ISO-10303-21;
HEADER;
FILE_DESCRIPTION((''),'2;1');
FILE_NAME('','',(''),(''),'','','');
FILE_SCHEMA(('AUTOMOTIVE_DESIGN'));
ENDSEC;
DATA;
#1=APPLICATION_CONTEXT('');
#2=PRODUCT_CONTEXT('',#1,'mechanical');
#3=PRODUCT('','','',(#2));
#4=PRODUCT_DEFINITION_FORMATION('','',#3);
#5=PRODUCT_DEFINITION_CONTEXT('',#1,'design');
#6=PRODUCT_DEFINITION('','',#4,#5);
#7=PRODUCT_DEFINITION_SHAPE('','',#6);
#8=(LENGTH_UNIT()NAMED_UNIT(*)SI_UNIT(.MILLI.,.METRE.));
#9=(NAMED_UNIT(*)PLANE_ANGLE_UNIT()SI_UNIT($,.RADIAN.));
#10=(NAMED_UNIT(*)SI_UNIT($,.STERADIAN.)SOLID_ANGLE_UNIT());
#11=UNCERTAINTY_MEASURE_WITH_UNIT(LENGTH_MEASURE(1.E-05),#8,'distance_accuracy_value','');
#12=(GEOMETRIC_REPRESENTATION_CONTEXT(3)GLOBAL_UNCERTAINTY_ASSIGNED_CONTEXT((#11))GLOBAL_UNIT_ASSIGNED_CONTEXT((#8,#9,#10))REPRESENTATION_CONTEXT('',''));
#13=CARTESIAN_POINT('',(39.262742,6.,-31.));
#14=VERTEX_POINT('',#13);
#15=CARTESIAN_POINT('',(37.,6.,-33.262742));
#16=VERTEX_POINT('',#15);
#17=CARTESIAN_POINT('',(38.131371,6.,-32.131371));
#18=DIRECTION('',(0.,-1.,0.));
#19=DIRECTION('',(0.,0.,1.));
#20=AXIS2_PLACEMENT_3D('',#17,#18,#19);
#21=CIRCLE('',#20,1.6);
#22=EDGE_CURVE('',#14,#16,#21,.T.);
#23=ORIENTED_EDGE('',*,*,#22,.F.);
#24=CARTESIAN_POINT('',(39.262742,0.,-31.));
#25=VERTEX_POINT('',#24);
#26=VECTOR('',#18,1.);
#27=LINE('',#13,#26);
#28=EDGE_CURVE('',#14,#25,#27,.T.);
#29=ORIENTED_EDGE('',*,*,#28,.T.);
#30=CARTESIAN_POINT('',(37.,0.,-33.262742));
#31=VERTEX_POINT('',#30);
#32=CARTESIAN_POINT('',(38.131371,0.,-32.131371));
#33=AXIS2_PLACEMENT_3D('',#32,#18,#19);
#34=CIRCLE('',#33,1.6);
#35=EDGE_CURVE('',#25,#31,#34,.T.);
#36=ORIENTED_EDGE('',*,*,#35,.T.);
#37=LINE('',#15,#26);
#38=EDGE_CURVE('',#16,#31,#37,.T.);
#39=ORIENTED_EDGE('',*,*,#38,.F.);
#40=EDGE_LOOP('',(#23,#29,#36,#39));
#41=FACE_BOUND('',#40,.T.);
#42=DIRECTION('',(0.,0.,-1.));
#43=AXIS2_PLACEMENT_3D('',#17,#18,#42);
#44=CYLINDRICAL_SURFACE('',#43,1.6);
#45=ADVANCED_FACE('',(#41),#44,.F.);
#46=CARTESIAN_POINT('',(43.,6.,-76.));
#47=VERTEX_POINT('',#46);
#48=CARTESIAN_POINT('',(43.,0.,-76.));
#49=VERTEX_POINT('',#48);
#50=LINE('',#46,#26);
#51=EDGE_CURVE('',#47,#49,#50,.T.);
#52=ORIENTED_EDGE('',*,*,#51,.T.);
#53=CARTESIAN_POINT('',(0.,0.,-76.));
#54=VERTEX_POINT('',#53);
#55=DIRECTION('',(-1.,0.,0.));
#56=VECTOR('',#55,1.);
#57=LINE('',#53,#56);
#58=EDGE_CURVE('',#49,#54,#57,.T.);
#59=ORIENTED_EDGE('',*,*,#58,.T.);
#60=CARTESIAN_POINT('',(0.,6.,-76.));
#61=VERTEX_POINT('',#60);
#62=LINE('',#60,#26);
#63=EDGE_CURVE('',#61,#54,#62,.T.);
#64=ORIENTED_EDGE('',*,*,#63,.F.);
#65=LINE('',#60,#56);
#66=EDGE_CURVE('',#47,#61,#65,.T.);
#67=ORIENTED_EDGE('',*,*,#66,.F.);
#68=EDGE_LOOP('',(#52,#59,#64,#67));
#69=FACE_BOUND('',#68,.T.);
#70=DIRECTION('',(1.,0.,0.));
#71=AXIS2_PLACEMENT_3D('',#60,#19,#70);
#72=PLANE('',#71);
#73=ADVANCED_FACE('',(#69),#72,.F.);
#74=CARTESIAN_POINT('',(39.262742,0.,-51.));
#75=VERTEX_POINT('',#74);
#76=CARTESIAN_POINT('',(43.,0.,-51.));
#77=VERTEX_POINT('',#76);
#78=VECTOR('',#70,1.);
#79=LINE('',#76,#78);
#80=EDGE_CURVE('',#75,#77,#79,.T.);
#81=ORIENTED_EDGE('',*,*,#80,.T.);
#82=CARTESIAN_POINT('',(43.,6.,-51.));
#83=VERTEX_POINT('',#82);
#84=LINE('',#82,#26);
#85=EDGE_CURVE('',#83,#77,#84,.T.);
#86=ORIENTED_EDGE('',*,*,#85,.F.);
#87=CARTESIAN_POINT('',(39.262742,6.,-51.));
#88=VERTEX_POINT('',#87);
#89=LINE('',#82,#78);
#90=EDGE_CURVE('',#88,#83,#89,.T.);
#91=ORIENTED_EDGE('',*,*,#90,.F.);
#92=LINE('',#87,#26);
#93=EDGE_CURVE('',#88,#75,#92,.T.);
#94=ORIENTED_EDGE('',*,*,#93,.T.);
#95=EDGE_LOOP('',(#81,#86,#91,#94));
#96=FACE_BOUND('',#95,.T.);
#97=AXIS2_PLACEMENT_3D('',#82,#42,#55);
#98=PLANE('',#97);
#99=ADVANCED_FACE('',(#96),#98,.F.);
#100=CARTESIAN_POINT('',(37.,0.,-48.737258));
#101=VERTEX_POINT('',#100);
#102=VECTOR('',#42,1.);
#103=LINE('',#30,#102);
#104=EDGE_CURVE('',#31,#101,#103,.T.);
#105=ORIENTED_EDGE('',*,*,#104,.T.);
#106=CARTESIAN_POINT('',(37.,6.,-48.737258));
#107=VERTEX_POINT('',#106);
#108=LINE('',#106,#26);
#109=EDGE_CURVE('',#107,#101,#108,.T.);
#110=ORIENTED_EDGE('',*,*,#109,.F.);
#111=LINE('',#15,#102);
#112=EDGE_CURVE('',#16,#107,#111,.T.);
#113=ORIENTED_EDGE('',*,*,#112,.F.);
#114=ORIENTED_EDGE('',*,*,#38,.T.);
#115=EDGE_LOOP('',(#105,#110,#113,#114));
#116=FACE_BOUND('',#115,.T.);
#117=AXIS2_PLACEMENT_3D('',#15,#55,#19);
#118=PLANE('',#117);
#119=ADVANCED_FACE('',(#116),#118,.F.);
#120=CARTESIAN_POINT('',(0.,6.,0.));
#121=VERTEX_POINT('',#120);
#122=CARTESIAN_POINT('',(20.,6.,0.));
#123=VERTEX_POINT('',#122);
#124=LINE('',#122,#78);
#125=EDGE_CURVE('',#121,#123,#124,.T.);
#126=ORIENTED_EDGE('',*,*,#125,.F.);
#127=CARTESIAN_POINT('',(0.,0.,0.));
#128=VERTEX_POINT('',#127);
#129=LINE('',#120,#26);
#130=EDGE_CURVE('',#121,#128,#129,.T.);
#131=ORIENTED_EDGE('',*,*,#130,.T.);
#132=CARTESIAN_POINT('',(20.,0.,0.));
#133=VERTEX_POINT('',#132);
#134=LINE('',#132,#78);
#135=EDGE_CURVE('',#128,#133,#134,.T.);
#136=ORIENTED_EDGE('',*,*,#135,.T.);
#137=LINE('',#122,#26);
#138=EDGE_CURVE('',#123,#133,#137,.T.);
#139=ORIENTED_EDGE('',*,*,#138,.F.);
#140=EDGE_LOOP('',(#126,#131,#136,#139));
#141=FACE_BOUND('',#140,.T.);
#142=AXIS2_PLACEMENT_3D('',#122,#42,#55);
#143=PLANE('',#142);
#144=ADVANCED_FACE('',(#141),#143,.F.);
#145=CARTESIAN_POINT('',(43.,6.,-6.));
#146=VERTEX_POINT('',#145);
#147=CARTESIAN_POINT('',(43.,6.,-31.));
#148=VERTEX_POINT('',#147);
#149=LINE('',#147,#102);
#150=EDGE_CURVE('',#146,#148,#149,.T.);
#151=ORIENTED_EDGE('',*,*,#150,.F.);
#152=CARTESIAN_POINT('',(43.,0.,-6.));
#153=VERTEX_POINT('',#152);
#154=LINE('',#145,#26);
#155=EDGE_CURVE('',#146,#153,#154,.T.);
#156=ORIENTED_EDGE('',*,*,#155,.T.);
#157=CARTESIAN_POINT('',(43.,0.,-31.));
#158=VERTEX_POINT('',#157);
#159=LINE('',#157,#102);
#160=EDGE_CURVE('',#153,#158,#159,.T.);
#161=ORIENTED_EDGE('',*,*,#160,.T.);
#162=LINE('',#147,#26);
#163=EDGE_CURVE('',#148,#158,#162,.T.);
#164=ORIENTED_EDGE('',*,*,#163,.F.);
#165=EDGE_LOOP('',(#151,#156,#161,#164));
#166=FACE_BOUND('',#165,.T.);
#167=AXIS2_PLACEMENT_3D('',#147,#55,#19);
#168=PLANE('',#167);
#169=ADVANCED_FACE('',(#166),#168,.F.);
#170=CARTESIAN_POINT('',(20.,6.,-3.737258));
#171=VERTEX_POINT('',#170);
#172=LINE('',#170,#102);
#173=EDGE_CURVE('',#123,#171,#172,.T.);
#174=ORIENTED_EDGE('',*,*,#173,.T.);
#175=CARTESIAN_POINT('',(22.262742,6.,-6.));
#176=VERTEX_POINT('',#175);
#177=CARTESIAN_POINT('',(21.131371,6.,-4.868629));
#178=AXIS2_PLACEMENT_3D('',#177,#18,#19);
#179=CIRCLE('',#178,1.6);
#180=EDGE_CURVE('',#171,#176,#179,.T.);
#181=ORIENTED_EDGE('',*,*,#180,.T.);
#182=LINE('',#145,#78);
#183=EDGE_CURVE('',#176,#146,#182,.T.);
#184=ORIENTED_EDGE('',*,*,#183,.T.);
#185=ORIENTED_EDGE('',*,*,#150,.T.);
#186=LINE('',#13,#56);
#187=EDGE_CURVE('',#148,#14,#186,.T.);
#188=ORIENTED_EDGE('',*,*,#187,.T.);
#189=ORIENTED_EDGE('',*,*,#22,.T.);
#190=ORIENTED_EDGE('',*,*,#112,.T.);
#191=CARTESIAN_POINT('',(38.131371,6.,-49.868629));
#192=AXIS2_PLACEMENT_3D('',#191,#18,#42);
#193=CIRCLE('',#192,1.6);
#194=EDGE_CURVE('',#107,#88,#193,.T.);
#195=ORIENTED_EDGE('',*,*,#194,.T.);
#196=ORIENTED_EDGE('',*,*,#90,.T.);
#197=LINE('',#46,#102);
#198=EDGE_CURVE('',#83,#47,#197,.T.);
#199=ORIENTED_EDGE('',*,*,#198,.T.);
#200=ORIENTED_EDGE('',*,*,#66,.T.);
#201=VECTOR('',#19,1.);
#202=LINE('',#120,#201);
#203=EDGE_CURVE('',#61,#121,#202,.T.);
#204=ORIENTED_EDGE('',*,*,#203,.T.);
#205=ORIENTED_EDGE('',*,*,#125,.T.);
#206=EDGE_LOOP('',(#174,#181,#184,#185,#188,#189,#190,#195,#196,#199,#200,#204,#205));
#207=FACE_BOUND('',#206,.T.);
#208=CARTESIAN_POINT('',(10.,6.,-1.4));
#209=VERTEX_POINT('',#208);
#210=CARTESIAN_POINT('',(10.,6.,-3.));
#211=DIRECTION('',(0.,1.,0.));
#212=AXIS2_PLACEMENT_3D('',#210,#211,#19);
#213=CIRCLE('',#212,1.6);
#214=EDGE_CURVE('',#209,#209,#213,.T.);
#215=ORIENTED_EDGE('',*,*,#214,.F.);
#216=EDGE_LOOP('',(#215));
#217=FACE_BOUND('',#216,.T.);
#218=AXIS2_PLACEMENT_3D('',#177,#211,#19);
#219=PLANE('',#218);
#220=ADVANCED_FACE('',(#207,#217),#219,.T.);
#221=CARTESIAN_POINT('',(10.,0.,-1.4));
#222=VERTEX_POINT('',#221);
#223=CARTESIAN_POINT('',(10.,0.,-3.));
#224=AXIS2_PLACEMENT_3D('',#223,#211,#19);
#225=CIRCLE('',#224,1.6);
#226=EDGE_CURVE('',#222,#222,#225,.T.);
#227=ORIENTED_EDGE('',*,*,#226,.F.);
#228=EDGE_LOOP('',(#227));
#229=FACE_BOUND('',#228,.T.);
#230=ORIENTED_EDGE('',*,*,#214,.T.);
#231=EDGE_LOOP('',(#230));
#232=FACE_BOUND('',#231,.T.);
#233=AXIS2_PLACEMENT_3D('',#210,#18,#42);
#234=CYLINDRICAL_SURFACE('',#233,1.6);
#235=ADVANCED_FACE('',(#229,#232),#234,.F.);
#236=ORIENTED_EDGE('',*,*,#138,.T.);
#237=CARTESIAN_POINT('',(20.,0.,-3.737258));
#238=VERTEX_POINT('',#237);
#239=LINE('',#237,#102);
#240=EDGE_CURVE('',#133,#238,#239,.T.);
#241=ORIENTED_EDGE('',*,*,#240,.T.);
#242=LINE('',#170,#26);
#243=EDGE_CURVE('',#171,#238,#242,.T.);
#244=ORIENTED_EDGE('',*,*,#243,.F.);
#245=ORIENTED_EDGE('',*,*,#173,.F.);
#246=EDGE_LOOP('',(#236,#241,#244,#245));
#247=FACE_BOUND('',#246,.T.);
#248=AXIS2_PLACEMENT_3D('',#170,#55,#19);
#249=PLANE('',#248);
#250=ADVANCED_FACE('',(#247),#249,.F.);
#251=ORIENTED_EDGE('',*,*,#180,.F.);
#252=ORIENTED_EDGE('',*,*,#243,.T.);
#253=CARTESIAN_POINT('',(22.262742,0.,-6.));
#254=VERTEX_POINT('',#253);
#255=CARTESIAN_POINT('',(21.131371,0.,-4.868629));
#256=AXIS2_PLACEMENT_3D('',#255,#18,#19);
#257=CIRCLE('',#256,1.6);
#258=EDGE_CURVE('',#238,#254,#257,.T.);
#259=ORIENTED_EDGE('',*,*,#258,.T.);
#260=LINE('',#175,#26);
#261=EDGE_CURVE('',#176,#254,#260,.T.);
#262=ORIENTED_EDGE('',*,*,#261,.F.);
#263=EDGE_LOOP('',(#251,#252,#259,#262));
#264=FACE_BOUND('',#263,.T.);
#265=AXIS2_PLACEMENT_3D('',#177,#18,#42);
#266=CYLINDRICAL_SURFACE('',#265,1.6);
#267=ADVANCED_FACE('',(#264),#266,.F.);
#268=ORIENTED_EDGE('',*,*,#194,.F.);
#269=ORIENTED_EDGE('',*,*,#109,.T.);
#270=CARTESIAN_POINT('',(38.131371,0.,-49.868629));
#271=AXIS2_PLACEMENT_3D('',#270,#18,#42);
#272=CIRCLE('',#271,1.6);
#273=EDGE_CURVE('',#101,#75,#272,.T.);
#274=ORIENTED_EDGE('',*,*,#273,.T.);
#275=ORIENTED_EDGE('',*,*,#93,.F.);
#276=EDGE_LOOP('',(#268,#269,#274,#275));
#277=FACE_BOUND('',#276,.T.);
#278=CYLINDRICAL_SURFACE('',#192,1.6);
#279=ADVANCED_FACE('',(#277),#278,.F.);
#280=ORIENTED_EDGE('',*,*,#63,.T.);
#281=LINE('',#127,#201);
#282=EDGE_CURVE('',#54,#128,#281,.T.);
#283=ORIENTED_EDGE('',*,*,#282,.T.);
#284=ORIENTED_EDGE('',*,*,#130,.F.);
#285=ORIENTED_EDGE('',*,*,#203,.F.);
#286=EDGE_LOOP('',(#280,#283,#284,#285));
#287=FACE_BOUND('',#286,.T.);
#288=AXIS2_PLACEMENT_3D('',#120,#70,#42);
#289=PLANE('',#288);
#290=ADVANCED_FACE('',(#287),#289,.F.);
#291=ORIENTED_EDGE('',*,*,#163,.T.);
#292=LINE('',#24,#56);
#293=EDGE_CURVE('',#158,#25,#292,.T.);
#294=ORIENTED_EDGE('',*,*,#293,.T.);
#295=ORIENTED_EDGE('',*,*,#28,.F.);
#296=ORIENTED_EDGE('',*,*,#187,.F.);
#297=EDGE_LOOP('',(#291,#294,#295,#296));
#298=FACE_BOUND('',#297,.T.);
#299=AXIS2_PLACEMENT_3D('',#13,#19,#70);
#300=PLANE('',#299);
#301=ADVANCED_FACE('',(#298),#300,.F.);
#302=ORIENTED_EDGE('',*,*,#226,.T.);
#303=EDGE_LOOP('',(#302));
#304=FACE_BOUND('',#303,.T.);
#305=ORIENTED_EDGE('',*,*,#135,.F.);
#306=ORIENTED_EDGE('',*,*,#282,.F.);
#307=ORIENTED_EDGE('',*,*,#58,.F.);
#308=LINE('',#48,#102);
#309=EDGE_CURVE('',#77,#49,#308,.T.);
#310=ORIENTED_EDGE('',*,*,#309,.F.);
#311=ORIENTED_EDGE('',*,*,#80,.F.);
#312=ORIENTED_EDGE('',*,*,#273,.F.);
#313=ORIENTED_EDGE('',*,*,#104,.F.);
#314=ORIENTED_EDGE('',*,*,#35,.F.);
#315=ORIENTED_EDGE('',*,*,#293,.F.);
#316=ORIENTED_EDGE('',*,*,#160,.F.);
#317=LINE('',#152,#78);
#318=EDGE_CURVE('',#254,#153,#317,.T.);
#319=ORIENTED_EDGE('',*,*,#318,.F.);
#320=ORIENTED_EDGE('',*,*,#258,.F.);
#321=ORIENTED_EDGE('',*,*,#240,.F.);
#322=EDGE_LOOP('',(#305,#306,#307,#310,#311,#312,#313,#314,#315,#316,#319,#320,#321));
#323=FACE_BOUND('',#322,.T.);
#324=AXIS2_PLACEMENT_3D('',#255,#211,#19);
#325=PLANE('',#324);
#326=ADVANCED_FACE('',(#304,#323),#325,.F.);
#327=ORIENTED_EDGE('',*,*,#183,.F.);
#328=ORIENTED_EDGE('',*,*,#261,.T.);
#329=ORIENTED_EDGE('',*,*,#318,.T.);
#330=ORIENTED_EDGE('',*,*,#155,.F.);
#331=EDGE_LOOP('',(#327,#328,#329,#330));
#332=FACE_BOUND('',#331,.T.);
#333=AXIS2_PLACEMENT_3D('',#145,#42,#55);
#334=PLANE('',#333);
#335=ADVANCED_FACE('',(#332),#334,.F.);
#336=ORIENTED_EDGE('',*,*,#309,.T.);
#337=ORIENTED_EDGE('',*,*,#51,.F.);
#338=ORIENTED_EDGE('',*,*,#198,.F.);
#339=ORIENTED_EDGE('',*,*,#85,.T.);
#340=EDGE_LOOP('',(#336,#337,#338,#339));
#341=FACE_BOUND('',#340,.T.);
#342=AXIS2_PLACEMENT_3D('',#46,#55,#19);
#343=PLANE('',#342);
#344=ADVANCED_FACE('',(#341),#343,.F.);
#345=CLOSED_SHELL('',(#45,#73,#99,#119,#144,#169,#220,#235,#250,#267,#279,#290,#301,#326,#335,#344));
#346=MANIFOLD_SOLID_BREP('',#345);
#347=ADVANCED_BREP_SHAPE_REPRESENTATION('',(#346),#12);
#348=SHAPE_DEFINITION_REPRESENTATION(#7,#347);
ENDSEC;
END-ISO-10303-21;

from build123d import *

# Parameters (mm, degrees)
ESQUISSE1_R        = 1.6
BOSS_EXTRU_1_DEPTH = 6


with BuildPart() as part:
    # Esquisse1 → Boss.-Extru.1 (new body)
    with BuildSketch(Plane(origin=(0, 0, 0), x_dir=(1, 0, 0), z_dir=(0, 1, 0))):
        with BuildLine():
            Line((39.2627417, 31), (43, 31))
            Line((43, 31), (43, 6))
            Line((43, 6), (22.2627417, 6))
            ThreePointArc((22.2627417, 6), (20, 6), (20, 3.7372583))
            Line((20, 3.7372583), (20, 0))
            Line((20, 0), (0, 0))
            Line((0, 0), (0, 76))
            Line((0, 76), (43, 76))
            Line((43, 76), (43, 51))
            Line((43, 51), (39.2627417, 51))
            ThreePointArc((39.2627417, 51), (37, 51), (37, 48.7372583))
            Line((37, 48.7372583), (37, 33.2627417))
            ThreePointArc((37, 33.2627417), (37, 31), (39.2627417, 31))
        make_face()
        with Locations(Location((10, 3, 0), (0, 0, 270))):  # turned: the seam where the file's is
            Circle(ESQUISSE1_R, mode=Mode.SUBTRACT)
    extrude(amount=BOSS_EXTRU_1_DEPTH)


solid = part.part
